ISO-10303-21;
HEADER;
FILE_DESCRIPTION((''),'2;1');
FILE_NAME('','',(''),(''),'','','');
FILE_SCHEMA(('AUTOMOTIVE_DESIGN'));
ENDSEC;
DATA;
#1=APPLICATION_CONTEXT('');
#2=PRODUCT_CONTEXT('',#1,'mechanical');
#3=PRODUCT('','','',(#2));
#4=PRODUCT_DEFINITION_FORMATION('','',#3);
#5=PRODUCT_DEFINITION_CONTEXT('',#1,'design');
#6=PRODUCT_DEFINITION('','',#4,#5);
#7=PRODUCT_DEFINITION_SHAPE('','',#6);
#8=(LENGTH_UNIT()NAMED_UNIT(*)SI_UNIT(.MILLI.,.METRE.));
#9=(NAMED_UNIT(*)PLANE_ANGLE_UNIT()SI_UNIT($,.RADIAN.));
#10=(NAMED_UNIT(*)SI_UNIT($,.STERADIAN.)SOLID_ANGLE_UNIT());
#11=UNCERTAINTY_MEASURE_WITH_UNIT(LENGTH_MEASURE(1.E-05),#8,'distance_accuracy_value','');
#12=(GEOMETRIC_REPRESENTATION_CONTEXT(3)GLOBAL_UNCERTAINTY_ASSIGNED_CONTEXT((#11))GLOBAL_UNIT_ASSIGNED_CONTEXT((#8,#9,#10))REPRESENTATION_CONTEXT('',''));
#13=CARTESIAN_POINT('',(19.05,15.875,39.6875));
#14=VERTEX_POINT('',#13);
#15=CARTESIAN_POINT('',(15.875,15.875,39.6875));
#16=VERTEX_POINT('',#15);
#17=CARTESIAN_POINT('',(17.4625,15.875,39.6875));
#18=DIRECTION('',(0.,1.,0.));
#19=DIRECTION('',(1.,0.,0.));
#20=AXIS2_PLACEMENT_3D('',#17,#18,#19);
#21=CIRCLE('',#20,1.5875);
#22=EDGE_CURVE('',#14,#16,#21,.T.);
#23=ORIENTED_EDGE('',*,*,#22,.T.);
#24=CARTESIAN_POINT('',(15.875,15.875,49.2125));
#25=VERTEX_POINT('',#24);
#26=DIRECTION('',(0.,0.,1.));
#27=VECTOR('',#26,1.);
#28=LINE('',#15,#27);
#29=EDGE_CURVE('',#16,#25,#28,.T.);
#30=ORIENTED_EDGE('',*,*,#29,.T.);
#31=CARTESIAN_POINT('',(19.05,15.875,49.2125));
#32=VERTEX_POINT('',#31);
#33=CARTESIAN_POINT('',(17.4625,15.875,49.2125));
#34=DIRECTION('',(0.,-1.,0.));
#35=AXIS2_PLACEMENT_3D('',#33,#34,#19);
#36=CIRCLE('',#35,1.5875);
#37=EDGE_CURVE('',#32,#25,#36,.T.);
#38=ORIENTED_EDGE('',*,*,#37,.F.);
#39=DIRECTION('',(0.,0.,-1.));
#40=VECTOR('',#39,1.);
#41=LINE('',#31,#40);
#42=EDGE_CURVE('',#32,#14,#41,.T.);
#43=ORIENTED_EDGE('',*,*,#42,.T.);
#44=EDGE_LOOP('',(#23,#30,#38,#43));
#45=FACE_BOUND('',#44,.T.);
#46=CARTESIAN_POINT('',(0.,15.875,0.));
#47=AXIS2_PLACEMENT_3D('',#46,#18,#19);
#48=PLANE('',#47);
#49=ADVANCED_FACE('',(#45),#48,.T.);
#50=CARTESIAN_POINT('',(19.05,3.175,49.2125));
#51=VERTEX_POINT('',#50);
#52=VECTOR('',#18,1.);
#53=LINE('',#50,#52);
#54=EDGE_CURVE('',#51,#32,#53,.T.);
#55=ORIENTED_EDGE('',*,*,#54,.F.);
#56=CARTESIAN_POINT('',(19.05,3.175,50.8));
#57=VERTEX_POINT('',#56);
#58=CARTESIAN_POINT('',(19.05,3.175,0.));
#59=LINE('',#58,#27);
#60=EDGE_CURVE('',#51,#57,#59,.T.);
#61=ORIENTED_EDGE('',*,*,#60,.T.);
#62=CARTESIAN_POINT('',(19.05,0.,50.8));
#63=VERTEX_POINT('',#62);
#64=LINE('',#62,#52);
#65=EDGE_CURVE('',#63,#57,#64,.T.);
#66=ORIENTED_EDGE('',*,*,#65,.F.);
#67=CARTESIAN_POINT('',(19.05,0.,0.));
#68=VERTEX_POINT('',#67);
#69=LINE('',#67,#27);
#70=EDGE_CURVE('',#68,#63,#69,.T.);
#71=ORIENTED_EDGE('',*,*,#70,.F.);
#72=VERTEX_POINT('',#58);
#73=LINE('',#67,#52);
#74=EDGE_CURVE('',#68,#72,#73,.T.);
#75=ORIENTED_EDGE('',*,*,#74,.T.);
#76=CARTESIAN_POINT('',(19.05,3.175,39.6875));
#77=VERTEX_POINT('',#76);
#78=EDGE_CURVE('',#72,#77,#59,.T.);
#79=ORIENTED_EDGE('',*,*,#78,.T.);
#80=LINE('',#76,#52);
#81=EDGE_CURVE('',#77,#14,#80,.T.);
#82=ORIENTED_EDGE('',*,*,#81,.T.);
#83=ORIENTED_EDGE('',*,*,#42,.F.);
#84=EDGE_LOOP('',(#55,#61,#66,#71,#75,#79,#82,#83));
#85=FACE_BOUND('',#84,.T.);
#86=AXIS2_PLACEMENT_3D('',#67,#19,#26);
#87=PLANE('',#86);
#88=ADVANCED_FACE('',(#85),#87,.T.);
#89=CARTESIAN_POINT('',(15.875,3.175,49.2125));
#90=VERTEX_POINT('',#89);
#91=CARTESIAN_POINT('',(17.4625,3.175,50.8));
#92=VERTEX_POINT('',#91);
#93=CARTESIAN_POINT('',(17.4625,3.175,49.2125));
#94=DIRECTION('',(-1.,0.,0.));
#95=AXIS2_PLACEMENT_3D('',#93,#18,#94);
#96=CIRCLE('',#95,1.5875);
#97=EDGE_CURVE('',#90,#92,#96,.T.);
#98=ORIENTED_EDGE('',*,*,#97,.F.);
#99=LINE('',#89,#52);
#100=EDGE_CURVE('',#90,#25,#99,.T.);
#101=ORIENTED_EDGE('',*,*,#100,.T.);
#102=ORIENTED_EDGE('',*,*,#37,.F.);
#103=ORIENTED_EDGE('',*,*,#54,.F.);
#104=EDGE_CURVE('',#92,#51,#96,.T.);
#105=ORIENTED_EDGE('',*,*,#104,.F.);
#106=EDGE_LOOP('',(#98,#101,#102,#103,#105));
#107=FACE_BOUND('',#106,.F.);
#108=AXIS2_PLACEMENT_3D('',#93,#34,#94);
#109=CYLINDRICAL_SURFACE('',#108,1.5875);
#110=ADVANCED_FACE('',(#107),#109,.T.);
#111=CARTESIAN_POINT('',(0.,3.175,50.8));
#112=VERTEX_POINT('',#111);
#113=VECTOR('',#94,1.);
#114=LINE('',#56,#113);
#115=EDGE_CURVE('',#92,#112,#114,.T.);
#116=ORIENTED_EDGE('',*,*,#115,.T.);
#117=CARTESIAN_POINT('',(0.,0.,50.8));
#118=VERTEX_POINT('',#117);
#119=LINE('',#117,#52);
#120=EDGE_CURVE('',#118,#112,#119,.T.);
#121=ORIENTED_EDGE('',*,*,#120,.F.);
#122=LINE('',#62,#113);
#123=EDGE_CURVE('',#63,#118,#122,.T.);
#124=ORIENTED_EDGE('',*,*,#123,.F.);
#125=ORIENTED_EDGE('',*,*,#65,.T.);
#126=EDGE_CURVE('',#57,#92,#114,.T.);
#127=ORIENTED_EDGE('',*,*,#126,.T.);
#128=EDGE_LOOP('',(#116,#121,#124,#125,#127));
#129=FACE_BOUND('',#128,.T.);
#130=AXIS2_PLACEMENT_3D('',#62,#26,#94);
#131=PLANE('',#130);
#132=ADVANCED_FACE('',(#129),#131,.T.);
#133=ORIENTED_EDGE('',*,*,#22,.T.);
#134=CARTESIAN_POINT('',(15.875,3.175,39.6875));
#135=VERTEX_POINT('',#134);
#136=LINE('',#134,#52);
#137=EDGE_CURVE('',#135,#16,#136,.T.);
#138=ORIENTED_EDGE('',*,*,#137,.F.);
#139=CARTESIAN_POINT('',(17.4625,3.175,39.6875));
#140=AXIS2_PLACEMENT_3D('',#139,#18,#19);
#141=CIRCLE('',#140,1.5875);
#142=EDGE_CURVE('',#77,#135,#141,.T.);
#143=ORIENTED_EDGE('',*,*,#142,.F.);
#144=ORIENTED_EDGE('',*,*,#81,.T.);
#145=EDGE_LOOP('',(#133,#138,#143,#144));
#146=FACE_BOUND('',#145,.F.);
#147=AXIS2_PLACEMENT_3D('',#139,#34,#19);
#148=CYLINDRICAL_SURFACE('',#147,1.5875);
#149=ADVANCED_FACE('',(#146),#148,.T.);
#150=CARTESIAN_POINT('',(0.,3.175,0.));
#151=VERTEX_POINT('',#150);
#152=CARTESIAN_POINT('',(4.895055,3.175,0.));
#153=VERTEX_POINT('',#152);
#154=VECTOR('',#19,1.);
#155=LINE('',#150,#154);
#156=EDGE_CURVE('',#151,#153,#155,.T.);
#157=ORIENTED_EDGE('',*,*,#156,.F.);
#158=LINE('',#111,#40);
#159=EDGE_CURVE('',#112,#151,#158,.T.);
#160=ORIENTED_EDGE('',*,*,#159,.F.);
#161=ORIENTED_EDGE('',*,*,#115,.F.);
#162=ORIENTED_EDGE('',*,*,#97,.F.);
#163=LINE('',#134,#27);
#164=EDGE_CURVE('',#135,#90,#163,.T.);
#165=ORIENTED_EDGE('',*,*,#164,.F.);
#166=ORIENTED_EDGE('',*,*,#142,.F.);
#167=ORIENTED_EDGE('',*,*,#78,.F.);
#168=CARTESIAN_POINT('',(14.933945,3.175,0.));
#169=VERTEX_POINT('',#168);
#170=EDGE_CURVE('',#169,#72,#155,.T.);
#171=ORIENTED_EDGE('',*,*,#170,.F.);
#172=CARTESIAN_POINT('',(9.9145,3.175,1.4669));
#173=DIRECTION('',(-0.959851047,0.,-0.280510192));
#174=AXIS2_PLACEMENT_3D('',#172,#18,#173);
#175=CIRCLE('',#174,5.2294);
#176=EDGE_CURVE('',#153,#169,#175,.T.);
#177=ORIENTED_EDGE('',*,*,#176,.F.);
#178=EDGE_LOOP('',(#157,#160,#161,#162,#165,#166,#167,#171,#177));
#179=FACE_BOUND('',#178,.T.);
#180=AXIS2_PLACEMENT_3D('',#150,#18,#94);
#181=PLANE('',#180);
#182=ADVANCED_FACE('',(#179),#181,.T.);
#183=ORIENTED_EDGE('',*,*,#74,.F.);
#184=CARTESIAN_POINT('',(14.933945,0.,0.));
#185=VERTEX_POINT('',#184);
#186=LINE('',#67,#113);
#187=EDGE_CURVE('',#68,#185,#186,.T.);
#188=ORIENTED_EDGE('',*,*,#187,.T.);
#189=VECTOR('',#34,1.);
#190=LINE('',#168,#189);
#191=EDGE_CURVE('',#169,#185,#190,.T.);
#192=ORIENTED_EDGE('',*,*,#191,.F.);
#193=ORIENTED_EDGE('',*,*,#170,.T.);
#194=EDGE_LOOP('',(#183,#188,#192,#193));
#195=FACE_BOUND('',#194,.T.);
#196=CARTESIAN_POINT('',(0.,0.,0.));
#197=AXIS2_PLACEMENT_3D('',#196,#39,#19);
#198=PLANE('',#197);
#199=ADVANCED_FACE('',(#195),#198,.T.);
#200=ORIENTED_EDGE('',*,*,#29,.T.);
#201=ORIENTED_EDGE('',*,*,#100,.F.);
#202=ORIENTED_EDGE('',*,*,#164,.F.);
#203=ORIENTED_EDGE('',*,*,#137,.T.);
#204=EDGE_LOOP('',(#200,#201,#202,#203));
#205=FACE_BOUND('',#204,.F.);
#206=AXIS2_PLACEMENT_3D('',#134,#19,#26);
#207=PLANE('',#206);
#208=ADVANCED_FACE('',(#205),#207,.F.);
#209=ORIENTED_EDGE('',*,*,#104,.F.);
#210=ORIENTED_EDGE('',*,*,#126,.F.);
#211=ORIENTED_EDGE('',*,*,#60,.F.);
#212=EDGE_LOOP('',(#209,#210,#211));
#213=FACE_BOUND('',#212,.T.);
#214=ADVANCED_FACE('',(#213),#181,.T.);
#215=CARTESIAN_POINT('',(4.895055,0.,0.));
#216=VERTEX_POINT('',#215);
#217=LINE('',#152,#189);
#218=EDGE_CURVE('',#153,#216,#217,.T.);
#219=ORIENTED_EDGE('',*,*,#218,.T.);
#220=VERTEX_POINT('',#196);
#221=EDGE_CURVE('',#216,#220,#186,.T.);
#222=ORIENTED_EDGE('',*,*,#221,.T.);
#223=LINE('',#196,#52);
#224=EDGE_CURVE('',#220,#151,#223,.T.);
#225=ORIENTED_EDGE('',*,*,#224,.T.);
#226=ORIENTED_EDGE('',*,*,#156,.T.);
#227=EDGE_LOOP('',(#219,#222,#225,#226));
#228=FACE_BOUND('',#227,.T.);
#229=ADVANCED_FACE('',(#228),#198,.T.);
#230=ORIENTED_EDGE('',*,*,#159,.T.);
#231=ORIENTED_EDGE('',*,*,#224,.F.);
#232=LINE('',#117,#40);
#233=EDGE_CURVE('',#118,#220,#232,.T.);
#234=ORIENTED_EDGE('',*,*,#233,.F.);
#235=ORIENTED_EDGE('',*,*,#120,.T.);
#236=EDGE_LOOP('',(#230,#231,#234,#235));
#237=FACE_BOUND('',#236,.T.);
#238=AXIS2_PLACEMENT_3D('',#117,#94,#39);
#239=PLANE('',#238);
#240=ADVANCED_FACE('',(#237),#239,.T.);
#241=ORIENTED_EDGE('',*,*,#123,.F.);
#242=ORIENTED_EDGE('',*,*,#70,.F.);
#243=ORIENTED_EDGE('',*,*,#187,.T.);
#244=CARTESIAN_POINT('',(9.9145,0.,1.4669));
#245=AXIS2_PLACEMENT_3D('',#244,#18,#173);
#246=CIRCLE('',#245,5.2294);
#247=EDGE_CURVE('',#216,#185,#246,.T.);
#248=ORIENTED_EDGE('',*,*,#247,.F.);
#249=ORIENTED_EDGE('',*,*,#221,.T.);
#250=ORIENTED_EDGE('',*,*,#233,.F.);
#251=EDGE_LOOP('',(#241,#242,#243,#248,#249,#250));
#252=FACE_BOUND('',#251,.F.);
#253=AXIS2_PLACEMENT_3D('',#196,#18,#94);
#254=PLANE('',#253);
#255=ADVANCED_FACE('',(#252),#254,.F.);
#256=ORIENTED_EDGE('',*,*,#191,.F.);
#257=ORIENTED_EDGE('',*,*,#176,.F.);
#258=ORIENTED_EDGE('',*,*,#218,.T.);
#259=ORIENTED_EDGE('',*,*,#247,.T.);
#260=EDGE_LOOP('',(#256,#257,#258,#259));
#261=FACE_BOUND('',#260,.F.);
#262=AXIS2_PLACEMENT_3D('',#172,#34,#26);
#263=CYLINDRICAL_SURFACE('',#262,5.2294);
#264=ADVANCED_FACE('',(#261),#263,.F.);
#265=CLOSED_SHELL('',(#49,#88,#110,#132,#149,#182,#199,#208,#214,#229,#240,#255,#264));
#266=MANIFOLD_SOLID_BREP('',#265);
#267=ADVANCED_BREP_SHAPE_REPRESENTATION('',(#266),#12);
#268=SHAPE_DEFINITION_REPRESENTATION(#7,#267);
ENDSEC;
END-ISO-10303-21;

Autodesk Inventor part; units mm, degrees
ref_plane "YZ Plane" through (0, 0, 0) normal (1, 0, 0) x (0, 1, 0)
ref_plane "XZ Plane" through (0, 0, 0) normal (0, 1, 0) x (-1, 0, 0)
ref_plane "XY Plane" through (0, 0, 0) normal (0, 0, 1) x (1, 0, 0)
sketch "Sketch1" plane through (0, 0, 0) normal (0, 1, 0) x (-1, 0, 0)
  line L0 (0, 0) -> (-19.05, 0)
  line L1 (-19.05, 0) -> (-19.05, 50.8)
  line L2 (-19.05, 50.8) -> (0, 50.8)
  line L3 (0, 50.8) -> (0, 0)
  circle A0 centre (-9.525, 3.175) radius 6.35
  point P0 (-1.5875, 0)
  point P1 (-11.1125, 0)
  dimension "d1" = 19.05
  dimension "d4" = 50.8
  dimension "d11" = 12.7
  dimension "d12" = 3.175
  dimension "d13" = 9.525
extrude "Extrusion1" add sketch "Sketch1" along normal blind 3.175 contours L0 A0 L1 L2 L3 | L0 A0 picked at (-8.7548, 5.6041)
sketch "Sketch2" plane through (0, 3.175, 0) normal (0, 1, 0) x (1, 0, 0)
  line L0 (17.4625, -49.2125) -> (17.4625, -39.6875) construction
  line L1 (19.05, -49.2125) -> (19.05, -39.6875)
  line L2 (15.875, -39.6875) -> (15.875, -49.2125)
  arc A0 (15.875, -49.2125) -> (19.05, -49.2125) centre (17.4625, -49.2125) ccw
  arc A1 (19.05, -39.6875) -> (15.875, -39.6875) centre (17.4625, -39.6875) ccw
  line L3 (0, -50.8) -> (19.05, -50.8) projected
  line L4 (19.05, -50.8) -> (19.05, 0) projected
  point P0 (0, 0)
  point P1 (17.4625, -44.45)
  dimension "d23" = 1.5875
  dimension "d24" = 1.5875
  dimension "d25" = 9.525
  dimension "d26" = 0
extrude "Extrusion2" add sketch "Sketch2" along normal blind 12.7 contours A0 L2 A1 L1
hole "Hole1" at (9.9145, 3.175, 1.4669) direction (0, -1, 0) diameter 10.4588 end through all
properties part number "piston locking tool"
